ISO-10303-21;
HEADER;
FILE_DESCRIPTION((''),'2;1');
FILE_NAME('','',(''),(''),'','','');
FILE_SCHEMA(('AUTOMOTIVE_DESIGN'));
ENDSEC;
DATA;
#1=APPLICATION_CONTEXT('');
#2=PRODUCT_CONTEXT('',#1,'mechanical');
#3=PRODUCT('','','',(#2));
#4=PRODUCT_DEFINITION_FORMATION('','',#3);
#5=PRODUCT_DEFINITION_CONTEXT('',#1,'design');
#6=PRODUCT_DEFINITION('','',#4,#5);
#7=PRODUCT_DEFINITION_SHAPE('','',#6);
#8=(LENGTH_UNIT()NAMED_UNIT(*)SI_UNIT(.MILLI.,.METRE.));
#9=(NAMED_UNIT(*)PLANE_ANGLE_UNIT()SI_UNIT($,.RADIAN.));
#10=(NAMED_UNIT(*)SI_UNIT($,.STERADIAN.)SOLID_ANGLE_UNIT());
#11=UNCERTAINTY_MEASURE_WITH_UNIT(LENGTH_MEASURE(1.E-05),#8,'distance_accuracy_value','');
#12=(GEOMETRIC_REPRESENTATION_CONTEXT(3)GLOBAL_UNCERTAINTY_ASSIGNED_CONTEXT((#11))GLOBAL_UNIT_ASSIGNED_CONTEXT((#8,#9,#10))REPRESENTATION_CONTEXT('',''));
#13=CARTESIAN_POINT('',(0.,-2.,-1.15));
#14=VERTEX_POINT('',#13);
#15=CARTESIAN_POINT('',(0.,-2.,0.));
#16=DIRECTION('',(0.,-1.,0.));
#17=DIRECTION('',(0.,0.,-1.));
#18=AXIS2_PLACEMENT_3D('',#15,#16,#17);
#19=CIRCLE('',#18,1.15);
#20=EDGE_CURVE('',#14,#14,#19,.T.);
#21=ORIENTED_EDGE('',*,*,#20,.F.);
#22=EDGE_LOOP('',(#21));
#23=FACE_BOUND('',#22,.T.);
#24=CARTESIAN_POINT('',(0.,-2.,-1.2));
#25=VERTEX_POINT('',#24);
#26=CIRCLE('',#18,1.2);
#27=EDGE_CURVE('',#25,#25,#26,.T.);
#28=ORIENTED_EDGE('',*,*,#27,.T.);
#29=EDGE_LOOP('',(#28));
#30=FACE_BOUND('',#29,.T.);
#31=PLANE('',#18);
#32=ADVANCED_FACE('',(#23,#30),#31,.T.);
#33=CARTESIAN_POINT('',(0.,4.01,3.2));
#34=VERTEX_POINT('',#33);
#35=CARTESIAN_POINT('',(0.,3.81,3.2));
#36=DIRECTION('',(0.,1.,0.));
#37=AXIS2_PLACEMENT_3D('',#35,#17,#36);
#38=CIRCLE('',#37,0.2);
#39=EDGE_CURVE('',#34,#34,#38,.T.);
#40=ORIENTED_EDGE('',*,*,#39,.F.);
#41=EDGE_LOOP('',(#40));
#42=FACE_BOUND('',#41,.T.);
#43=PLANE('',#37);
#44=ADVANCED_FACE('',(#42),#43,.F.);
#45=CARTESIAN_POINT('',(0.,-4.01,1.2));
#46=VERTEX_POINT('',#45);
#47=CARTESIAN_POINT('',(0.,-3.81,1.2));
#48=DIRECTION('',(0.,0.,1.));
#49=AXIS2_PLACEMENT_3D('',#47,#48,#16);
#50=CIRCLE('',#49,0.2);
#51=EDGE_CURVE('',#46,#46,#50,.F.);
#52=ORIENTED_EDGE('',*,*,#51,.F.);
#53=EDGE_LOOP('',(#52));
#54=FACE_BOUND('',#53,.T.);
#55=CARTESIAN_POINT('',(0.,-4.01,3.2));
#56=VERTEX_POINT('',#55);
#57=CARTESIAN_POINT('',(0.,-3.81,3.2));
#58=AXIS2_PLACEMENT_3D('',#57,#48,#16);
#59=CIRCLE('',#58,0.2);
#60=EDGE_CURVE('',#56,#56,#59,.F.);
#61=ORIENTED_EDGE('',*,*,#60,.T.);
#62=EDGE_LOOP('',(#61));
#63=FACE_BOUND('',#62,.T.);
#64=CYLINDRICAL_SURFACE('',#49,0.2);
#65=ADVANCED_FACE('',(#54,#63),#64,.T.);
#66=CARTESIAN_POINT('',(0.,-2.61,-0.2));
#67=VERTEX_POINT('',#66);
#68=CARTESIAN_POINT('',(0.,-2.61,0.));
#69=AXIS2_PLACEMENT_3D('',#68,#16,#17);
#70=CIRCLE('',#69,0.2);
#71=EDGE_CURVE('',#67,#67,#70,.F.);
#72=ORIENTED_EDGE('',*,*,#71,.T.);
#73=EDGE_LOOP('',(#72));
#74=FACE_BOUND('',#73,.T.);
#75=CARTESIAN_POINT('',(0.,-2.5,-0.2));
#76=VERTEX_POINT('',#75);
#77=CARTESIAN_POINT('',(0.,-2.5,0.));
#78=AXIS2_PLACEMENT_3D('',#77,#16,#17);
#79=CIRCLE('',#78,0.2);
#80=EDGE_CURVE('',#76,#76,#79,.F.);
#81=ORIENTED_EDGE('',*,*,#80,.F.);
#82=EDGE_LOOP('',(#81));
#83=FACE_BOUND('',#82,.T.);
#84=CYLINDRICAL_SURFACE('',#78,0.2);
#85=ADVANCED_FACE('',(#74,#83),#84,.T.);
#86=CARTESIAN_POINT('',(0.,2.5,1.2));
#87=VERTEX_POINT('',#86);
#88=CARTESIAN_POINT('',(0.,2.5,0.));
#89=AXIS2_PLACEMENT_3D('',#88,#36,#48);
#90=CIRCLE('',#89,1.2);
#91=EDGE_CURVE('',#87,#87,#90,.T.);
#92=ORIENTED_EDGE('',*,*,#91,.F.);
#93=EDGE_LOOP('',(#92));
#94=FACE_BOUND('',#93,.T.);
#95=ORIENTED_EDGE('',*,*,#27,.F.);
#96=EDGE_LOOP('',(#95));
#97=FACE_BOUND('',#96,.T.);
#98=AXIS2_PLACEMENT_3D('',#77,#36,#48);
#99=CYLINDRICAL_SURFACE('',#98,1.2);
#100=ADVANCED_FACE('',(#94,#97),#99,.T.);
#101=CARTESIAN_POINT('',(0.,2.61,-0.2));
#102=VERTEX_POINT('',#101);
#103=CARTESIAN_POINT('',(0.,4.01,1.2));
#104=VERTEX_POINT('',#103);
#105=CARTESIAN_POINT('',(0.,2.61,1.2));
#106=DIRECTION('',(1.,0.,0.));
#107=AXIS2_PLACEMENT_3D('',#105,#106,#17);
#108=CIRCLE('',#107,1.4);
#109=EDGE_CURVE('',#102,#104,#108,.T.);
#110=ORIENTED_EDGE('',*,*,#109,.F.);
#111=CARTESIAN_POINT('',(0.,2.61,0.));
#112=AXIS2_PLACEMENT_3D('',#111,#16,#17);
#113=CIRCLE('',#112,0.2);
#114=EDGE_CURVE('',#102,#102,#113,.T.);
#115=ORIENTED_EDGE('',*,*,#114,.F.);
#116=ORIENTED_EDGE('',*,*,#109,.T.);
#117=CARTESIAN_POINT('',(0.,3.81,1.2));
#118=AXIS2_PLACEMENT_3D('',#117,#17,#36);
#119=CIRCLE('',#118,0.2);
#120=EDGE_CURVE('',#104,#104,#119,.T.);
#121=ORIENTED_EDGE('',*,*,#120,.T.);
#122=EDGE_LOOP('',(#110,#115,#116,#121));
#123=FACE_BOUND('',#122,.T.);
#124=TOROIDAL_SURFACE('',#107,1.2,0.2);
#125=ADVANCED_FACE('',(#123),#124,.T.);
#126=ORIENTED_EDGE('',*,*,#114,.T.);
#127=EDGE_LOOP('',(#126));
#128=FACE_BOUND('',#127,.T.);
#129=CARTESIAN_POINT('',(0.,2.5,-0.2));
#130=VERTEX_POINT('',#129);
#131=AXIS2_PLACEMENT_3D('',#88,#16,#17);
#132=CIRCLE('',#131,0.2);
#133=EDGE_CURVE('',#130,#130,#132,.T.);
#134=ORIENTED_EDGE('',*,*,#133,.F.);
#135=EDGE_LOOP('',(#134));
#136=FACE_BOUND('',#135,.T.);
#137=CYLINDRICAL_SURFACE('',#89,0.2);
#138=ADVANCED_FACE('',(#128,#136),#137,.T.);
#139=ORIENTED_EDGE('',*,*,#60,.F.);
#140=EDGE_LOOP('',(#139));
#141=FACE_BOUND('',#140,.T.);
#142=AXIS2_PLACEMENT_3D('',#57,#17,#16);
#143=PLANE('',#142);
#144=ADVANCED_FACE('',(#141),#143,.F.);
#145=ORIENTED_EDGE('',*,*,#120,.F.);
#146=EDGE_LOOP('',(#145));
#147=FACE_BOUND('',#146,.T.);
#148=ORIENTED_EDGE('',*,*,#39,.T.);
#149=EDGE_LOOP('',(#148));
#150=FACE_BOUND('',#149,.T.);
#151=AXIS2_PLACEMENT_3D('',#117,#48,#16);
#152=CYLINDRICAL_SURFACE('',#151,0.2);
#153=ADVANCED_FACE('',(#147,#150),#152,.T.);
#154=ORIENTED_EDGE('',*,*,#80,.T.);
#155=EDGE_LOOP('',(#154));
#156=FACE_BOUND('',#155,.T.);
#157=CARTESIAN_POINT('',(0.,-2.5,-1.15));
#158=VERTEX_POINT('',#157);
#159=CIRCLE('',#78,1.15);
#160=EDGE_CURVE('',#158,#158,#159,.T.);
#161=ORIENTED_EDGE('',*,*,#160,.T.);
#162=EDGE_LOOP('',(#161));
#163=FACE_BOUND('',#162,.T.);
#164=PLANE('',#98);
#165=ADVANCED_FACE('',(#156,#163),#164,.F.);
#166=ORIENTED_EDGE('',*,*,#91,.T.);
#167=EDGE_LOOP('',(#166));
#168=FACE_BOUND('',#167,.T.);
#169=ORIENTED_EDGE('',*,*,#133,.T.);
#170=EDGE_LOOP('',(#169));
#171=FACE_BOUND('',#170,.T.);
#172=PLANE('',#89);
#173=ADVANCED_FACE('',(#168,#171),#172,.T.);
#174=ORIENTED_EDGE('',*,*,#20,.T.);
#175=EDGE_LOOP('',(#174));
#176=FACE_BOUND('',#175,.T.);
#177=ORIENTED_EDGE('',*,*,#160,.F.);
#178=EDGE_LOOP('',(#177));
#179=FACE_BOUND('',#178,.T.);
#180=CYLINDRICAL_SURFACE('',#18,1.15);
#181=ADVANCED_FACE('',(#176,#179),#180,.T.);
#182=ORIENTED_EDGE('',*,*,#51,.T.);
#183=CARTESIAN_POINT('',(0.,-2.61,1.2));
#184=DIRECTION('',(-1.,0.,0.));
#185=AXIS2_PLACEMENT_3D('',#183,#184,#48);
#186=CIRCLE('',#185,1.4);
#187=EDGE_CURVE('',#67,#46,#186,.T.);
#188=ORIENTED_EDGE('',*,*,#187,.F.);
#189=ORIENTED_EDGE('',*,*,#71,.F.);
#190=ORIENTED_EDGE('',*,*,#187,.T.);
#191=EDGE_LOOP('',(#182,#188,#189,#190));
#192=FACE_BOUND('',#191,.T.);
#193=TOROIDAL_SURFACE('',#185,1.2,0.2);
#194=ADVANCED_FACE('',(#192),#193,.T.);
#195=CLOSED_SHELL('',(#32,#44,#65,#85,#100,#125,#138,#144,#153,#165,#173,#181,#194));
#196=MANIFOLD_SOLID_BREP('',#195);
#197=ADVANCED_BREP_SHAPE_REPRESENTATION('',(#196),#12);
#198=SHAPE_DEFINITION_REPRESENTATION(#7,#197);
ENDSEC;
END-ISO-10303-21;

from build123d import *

# Parameters (mm, degrees)
BOSS_EXTRUDE1_DEPTH      = 2.5
BOSS_EXTRUDE1_DEPTH_BACK = 2.5
SKETCH2_R                = 1.2
SWEEP1_PROFILE_R         = 0.2
SKETCH23_R               = 1.2
SKETCH23_R_2             = 1.15
CUT_EXTRUDE1_DEPTH       = 0.5


with BuildPart() as part:
    # Sketch2 → Boss-Extrude1 (new, two sides: drawn at the far end of the back side and taken through both)
    with BuildSketch(Plane(origin=(0, 0, 0), x_dir=(1, 0, 0), z_dir=(0, 1, 0)).offset(-BOSS_EXTRUDE1_DEPTH_BACK)):
        Circle(SKETCH2_R)
    extrude(amount=BOSS_EXTRUDE1_DEPTH + BOSS_EXTRUDE1_DEPTH_BACK)

    # Sweep1: sweep along a path in Sketch3
    with BuildLine(Plane(origin=(0, 0, 0), x_dir=(0, 0, -1), z_dir=(1, 0, 0))) as sweep1_path:
        Line((0, 2.5), (0, 2.61))
        ThreePointArc((0, 2.61), (-0.351471863, 3.458528137), (-1.2, 3.81))
        Line((-1.2, 3.81), (-3.2, 3.81))
    # Sweep1 profile (on start of the path) → Sweep1 (sweep)
    with BuildSketch(Plane.ZX.offset(2.5)):
        Circle(SWEEP1_PROFILE_R)
    sweep1 = sweep(path=sweep1_path.line)

    # Mirror1: Sweep1 across plane
    add(sweep1.mirror(Plane.ZX))

    # Sketch23 → Cut-Extrude1 (cut)
    with BuildSketch(Plane.XZ.offset(2.5)):
        Circle(SKETCH23_R)
        Circle(SKETCH23_R_2, mode=Mode.SUBTRACT)
    extrude(amount=-CUT_EXTRUDE1_DEPTH, mode=Mode.SUBTRACT)


solid = part.part
